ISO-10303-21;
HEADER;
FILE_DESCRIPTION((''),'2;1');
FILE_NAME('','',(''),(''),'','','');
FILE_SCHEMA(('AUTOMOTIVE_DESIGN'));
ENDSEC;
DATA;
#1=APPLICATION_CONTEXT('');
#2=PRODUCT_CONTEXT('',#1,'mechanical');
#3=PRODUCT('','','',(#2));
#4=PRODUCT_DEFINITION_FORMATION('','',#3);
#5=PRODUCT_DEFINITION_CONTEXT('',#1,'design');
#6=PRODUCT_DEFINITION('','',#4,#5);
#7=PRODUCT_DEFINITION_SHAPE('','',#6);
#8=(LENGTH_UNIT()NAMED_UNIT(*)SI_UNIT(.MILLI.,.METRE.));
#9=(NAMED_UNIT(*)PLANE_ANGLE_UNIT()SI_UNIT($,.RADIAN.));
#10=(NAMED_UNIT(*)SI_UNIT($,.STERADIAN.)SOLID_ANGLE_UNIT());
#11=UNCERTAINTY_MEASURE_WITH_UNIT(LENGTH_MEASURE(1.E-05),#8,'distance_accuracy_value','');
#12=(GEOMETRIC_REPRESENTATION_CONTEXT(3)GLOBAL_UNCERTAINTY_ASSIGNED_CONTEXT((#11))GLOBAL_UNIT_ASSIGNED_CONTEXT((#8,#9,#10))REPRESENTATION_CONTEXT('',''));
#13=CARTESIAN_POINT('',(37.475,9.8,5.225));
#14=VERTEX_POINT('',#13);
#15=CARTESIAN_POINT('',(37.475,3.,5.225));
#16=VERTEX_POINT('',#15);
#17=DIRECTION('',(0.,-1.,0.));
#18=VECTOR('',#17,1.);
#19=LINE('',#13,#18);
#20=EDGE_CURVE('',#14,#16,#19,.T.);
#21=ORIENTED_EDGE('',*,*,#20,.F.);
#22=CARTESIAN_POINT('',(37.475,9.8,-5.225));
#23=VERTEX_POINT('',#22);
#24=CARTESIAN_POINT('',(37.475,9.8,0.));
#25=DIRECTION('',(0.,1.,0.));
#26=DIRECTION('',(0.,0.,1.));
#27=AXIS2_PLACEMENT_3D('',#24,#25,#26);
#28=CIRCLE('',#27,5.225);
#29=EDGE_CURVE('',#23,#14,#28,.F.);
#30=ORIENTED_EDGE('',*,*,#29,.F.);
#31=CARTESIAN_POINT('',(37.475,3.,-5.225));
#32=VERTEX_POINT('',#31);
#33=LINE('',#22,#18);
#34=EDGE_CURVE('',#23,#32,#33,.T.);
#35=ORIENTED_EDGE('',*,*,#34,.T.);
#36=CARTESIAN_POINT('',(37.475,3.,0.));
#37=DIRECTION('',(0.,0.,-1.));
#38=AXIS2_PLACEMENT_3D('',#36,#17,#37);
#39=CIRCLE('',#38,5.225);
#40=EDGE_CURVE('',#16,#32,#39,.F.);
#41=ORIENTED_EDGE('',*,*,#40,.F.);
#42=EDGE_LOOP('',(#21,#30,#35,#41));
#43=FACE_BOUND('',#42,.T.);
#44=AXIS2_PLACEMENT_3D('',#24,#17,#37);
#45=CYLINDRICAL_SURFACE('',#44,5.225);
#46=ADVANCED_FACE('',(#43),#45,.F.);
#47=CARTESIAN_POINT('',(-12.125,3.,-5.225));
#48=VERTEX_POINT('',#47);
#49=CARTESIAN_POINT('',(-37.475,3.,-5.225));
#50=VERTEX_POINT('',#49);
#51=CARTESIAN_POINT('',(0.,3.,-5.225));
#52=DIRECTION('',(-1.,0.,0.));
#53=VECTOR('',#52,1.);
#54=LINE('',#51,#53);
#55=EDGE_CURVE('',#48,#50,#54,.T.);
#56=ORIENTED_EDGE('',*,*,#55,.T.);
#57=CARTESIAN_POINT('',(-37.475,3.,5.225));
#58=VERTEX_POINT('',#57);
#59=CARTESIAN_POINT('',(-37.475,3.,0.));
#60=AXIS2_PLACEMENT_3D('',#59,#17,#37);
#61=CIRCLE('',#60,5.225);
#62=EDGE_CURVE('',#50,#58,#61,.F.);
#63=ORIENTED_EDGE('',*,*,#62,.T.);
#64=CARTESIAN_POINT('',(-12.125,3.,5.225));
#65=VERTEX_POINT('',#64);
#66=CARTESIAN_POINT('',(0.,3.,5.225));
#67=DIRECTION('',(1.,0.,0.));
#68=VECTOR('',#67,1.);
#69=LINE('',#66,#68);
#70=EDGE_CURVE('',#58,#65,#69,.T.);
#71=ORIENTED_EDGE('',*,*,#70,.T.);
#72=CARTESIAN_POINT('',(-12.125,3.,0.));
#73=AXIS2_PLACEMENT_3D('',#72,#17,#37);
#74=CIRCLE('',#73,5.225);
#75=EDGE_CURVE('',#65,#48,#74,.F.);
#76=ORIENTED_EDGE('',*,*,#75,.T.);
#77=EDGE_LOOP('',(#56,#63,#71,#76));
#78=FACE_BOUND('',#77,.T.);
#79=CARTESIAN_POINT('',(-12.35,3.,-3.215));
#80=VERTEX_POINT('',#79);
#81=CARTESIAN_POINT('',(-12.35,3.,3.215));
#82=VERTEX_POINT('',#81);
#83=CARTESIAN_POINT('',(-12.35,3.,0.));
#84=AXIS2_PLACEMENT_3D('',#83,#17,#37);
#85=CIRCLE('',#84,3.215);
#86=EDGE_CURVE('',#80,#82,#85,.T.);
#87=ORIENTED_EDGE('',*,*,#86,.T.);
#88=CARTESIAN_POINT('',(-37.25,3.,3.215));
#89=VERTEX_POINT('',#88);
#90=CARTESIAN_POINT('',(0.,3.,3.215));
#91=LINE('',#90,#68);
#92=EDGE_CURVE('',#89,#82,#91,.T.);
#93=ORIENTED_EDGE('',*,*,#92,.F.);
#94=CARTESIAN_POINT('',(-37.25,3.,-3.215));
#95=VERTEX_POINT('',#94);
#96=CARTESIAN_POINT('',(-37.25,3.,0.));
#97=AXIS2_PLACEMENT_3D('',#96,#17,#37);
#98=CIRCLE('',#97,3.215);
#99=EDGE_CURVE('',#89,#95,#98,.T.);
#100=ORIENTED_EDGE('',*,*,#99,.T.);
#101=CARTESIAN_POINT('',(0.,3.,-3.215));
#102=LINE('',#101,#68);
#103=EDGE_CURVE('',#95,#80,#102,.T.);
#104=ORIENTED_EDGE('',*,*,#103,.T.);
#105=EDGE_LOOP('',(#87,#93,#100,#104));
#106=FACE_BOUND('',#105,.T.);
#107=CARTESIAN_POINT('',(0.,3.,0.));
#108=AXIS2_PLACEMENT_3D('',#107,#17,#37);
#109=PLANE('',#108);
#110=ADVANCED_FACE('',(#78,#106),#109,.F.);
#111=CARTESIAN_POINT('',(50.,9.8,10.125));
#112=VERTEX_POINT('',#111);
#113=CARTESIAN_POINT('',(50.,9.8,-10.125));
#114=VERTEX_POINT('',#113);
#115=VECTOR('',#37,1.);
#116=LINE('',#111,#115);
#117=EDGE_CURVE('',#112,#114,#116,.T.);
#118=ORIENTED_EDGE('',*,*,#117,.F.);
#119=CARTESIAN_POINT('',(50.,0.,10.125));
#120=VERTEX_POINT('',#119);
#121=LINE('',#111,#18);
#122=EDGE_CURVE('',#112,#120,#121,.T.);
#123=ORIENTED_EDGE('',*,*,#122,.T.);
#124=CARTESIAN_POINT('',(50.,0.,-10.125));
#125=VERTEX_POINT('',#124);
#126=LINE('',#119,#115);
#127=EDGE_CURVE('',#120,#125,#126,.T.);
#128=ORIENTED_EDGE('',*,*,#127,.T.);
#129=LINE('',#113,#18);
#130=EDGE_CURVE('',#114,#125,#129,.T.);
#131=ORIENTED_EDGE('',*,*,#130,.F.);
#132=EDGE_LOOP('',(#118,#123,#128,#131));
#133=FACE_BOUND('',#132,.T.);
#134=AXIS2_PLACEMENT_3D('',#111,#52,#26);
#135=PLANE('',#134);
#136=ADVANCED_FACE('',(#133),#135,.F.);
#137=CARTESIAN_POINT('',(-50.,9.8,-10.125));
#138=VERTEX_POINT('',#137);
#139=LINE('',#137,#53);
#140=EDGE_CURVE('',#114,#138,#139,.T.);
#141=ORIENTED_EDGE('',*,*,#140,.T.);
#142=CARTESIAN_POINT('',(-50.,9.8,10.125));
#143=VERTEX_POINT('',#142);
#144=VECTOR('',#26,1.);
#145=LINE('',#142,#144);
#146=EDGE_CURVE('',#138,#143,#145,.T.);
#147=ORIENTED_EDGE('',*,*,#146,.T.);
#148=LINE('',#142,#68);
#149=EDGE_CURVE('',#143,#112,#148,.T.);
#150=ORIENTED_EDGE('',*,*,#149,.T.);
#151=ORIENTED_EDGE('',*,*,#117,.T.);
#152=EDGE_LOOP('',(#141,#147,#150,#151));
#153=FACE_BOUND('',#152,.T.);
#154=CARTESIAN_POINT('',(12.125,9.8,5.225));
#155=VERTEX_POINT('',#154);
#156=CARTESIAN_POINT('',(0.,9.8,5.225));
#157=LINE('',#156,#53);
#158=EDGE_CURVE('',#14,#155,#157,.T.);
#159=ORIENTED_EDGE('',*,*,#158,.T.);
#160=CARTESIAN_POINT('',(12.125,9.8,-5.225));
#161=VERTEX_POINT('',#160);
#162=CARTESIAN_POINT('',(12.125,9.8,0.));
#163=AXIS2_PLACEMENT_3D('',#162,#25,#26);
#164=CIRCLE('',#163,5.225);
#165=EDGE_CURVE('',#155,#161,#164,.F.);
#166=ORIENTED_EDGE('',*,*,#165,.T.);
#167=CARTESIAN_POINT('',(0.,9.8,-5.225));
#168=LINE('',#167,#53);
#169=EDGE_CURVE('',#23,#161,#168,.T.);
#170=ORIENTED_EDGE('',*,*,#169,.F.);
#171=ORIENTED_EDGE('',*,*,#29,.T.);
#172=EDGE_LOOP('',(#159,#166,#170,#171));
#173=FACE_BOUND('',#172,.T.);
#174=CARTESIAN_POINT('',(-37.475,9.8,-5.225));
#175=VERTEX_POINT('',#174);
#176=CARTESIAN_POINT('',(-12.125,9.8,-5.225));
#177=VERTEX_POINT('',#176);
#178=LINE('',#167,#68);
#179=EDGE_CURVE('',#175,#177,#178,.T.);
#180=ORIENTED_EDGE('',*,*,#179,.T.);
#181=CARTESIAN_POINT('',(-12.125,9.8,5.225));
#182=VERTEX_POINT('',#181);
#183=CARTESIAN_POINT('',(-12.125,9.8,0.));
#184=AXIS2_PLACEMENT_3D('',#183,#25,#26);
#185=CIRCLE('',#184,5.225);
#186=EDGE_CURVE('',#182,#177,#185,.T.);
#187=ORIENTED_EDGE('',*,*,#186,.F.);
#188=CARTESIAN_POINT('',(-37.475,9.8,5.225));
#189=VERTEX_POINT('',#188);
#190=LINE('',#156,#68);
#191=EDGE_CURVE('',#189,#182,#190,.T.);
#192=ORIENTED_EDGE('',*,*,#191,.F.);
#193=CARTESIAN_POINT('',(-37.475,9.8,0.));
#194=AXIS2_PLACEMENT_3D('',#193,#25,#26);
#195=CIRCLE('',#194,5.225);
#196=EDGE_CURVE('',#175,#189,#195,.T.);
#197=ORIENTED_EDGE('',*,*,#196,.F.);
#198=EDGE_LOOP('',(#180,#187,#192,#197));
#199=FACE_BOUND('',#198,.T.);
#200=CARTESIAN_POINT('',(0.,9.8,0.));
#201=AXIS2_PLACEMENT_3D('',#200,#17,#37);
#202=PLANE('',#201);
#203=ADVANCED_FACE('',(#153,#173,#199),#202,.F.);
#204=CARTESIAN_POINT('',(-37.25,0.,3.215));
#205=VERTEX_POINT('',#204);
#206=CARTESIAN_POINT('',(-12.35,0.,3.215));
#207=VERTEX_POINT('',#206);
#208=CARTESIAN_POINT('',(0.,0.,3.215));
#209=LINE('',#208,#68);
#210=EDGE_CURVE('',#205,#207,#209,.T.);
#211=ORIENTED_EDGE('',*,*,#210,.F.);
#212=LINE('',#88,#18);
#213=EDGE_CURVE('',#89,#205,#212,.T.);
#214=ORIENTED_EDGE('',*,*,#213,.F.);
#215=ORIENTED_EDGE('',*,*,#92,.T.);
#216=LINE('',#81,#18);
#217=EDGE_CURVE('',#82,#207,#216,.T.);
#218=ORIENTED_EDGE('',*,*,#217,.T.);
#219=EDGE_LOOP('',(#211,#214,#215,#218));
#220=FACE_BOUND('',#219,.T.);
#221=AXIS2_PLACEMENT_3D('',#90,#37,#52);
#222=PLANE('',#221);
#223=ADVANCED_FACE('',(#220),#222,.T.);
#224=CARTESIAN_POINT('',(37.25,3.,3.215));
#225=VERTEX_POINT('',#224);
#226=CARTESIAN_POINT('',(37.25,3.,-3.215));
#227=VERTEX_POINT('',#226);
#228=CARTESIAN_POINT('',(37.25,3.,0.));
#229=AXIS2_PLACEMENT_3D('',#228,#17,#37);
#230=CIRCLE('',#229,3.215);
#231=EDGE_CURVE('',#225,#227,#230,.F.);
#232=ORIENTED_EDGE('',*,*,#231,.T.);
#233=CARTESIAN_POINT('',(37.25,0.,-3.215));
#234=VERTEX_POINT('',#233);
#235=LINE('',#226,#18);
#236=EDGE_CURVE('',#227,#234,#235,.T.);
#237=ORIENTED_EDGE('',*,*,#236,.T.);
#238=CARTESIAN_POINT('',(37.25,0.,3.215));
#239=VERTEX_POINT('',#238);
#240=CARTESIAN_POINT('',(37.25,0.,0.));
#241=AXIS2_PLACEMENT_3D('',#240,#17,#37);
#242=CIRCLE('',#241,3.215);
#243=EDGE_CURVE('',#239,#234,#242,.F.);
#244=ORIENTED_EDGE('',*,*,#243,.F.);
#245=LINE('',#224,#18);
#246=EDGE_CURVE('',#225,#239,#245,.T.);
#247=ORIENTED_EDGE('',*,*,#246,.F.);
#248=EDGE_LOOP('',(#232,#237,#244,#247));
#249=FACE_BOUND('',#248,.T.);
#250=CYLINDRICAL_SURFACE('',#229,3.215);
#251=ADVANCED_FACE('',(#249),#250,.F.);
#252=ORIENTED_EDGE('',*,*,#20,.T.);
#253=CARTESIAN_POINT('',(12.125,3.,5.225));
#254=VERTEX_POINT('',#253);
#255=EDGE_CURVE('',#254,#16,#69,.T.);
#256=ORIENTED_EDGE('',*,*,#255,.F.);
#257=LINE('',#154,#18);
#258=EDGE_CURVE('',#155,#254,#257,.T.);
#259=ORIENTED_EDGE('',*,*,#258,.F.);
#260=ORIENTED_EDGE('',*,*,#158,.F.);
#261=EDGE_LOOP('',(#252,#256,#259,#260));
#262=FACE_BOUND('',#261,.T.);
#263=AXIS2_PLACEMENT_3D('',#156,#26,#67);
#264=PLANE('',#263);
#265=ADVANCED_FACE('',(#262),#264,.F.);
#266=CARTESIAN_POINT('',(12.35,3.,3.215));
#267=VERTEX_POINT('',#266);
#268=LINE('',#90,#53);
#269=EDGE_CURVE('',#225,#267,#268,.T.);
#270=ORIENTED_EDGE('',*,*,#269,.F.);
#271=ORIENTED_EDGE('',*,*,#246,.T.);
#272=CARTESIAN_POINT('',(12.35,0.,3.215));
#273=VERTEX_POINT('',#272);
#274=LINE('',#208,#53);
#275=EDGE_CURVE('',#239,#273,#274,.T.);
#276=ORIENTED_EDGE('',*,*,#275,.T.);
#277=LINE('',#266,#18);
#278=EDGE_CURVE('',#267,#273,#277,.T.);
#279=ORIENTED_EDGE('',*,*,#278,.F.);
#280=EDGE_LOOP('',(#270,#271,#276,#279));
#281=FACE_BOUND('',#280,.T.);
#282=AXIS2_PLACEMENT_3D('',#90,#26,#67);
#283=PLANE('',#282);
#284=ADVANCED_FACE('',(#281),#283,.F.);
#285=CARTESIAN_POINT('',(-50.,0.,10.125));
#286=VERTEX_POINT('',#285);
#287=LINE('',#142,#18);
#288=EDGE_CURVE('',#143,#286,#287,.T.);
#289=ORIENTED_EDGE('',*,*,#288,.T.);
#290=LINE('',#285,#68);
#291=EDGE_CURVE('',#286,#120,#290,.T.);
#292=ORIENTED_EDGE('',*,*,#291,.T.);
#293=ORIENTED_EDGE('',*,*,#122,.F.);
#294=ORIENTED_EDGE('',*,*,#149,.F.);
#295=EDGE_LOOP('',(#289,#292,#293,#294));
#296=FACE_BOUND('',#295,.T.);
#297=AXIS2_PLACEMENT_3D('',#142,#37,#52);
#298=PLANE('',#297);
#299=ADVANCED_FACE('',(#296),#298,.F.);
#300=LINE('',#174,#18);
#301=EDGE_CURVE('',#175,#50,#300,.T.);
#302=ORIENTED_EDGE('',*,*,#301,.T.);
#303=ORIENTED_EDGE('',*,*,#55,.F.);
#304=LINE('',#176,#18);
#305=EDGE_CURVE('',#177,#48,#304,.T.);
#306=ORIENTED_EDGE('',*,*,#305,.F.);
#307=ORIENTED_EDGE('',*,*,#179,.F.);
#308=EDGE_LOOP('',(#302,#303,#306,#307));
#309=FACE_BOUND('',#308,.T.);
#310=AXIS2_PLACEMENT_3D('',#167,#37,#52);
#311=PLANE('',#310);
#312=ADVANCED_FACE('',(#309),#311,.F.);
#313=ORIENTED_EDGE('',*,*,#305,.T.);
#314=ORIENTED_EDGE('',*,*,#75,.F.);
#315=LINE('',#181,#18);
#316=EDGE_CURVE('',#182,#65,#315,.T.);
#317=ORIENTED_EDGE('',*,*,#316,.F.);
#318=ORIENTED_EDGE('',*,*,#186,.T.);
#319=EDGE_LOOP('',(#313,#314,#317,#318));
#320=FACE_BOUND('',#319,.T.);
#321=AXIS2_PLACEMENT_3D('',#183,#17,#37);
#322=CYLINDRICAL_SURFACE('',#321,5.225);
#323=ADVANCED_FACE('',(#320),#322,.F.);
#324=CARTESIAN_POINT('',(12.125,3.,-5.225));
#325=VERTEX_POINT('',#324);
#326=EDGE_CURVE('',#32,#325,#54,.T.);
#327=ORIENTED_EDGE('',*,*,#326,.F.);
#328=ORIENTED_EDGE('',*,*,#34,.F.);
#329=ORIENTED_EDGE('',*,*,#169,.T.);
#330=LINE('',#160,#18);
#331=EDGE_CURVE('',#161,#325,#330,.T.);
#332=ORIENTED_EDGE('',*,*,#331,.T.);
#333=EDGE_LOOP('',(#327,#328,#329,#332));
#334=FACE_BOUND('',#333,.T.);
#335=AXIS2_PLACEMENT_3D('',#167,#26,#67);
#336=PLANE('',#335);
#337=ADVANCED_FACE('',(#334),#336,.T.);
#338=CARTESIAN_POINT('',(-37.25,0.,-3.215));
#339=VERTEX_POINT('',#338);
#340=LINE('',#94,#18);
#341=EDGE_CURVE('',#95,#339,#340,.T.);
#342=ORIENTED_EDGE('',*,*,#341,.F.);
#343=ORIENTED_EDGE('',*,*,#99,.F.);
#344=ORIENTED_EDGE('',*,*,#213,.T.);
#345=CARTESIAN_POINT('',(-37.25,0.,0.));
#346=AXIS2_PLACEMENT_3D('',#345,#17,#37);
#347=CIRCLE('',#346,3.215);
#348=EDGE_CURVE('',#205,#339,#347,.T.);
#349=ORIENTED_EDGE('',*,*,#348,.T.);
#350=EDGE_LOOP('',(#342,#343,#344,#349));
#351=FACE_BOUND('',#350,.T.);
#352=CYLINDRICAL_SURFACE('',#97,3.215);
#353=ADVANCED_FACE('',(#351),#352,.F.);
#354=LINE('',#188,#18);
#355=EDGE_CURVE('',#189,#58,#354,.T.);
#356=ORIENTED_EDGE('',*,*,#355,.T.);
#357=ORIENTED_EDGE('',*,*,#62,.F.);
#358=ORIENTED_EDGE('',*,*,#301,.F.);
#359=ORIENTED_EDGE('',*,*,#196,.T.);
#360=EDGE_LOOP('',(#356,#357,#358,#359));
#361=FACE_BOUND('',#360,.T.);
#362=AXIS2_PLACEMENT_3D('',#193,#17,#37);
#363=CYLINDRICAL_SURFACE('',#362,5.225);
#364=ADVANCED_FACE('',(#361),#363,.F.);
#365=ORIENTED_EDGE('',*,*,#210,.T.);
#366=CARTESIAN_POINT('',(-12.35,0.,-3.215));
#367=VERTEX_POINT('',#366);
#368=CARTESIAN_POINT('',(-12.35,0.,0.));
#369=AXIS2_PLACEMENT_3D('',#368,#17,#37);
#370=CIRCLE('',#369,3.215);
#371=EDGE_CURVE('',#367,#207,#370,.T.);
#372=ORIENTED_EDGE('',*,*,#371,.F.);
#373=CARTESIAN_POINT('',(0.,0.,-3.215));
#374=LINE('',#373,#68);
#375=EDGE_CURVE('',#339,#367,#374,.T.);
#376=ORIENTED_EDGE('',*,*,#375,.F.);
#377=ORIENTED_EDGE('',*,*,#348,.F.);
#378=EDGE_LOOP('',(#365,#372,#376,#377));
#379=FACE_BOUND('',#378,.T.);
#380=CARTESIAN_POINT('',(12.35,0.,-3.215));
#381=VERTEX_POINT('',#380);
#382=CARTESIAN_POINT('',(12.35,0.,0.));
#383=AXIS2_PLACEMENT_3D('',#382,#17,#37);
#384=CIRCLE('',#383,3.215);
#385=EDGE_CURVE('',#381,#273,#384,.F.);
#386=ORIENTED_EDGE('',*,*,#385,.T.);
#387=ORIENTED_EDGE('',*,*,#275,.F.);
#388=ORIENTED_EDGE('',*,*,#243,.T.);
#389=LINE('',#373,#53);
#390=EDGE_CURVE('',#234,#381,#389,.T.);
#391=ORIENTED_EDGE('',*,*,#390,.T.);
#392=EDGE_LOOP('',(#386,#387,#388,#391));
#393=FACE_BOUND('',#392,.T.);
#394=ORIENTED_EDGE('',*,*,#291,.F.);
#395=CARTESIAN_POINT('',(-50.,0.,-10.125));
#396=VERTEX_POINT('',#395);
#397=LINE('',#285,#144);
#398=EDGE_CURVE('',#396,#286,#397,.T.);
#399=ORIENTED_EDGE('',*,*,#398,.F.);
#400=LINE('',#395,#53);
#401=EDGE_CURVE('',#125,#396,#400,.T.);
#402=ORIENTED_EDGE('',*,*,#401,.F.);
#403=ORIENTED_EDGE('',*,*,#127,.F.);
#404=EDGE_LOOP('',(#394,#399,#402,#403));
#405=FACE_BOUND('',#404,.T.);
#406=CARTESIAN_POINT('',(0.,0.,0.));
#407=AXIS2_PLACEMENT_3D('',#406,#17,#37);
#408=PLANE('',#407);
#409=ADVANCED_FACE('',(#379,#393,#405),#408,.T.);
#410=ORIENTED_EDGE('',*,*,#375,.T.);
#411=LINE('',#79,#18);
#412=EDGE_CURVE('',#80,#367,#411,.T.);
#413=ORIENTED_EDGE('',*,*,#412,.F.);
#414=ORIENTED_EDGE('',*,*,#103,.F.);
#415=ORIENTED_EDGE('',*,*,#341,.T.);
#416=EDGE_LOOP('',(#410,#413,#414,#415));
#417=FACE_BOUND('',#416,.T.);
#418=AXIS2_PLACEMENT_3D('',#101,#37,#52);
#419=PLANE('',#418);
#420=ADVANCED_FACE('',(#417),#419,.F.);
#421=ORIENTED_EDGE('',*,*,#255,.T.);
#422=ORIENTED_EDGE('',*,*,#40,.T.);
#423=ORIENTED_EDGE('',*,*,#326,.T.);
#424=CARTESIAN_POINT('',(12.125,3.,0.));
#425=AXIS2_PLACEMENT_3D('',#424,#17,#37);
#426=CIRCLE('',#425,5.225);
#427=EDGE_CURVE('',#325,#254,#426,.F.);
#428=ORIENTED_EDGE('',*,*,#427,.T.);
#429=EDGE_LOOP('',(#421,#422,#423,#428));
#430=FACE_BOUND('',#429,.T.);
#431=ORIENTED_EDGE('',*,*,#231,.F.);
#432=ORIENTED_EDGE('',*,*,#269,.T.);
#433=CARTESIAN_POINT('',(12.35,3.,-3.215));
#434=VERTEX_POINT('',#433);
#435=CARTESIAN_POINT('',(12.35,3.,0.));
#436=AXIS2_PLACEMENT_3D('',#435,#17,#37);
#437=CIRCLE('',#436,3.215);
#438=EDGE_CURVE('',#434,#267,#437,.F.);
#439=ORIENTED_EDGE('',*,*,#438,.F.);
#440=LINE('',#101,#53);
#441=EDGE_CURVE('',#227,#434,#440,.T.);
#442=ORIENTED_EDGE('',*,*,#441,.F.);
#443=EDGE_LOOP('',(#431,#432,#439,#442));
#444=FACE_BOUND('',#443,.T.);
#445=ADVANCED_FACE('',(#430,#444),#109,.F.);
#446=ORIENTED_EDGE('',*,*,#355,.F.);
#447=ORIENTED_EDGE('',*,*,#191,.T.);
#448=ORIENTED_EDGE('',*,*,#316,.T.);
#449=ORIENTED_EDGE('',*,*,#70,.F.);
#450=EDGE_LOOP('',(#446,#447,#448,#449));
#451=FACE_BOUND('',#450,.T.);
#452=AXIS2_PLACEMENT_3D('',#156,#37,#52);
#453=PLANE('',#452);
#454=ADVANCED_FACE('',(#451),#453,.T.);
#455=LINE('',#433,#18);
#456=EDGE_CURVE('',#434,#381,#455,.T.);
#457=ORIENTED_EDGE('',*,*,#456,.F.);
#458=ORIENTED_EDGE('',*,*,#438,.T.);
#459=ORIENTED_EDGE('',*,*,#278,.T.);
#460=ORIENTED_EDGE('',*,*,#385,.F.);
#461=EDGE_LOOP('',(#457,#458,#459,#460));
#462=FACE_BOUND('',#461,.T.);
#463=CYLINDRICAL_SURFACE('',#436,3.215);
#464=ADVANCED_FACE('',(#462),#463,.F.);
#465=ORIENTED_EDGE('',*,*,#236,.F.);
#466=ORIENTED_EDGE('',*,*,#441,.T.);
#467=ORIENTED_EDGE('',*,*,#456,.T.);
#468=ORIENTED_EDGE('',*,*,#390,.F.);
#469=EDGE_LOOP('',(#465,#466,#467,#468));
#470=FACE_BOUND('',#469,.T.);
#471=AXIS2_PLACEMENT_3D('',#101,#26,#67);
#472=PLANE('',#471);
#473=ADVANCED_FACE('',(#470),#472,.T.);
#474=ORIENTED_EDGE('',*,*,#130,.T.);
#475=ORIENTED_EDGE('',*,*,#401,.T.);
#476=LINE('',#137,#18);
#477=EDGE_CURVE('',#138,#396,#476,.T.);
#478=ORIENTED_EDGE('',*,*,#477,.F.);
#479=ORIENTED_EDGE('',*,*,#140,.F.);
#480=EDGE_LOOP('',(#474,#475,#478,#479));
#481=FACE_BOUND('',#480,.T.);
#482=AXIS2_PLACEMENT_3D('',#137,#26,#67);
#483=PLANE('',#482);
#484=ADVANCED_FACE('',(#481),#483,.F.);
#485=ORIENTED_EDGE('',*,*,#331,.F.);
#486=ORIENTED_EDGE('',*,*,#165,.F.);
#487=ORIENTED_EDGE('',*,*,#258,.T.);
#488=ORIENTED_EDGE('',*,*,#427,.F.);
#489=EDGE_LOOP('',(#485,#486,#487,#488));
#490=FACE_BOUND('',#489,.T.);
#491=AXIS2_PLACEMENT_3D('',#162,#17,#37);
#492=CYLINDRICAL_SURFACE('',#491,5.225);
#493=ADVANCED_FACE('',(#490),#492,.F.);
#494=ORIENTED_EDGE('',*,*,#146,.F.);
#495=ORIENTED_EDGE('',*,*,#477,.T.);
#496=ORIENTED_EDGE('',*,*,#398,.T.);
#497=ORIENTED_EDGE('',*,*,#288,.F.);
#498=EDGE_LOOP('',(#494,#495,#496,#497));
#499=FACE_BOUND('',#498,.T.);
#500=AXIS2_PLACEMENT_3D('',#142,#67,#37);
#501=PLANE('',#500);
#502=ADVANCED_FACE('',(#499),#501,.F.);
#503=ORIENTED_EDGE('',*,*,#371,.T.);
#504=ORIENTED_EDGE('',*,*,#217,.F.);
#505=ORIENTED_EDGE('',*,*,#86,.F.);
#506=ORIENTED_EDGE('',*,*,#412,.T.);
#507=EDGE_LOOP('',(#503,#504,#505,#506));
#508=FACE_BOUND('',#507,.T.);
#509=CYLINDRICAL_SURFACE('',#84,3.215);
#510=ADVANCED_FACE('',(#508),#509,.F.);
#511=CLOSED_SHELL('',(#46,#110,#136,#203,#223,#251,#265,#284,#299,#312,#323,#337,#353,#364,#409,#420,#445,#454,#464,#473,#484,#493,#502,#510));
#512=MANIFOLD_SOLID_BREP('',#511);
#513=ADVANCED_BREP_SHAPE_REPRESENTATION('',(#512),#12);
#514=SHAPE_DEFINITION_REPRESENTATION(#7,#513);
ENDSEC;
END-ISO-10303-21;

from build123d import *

# Parameters (mm, degrees)
SKETCH_2_W          = 100
SKETCH_2_H          = 20.25
EXTRUDE_2_DEPTH     = 9.8
CUT_EXTRUDE_4_DEPTH = 9.8
EXTRUDE_3_DEPTH     = 3


with BuildPart() as part:
    # 草图2 → 凸台-拉伸2 (new body)
    with BuildSketch(Plane(origin=(0, 0, 0), x_dir=(1, 0, 0), z_dir=(0, 1, 0))):
        Rectangle(SKETCH_2_W, SKETCH_2_H)
    extrude(amount=EXTRUDE_2_DEPTH)

    # 草图6 → 切除-拉伸4 (cut)
    with BuildSketch(Plane(origin=(0, 0, 0), x_dir=(1, 0, 0), z_dir=(0, 1, 0))):
        with BuildLine():
            Line((-37.475, 5.225), (-12.125, 5.225))
            ThreePointArc((-12.125, 5.225), (-6.9, 0), (-12.125, -5.225))
            Line((-12.125, -5.225), (-37.475, -5.225))
            ThreePointArc((-37.475, -5.225), (-42.7, 0), (-37.475, 5.225))
        make_face()
        with BuildLine():
            Line((37.475, -5.225), (12.125, -5.225))
            ThreePointArc((12.125, -5.225), (6.9, 0), (12.125, 5.225))
            Line((12.125, 5.225), (37.475, 5.225))
            ThreePointArc((37.475, 5.225), (42.7, 0), (37.475, -5.225))
        make_face()
    extrude(amount=CUT_EXTRUDE_4_DEPTH, mode=Mode.SUBTRACT)

    # 草图8 → 凸台-拉伸3 (add)
    with BuildSketch(Plane.XZ):
        with BuildLine():
            Line((-37.475, 5.225), (-12.125, 5.225))
            ThreePointArc((-12.125, 5.225), (-6.9, 0), (-12.125, -5.225))
            Line((-12.125, -5.225), (-37.475, -5.225))
            ThreePointArc((-37.475, -5.225), (-42.7, 0), (-37.475, 5.225))
        make_face()
        with BuildLine():
            Line((-37.25, 3.215), (-12.35, 3.215))
            ThreePointArc((-12.35, 3.215), (-9.135, 0), (-12.35, -3.215))
            Line((-12.35, -3.215), (-37.25, -3.215))
            ThreePointArc((-37.25, -3.215), (-40.465, 0), (-37.25, 3.215))
        make_face(mode=Mode.SUBTRACT)
        with BuildLine():
            Line((37.475, 5.225), (12.125, 5.225))
            ThreePointArc((12.125, 5.225), (6.9, 0), (12.125, -5.225))
            Line((12.125, -5.225), (37.475, -5.225))
            ThreePointArc((37.475, -5.225), (42.7, 0), (37.475, 5.225))
        make_face()
        with BuildLine():
            Line((37.25, -3.215), (12.35, -3.215))
            ThreePointArc((12.35, -3.215), (9.135, 0), (12.35, 3.215))
            Line((12.35, 3.215), (37.25, 3.215))
            ThreePointArc((37.25, 3.215), (40.465, 0), (37.25, -3.215))
        make_face(mode=Mode.SUBTRACT)
    extrude(amount=-EXTRUDE_3_DEPTH)


solid = part.part
